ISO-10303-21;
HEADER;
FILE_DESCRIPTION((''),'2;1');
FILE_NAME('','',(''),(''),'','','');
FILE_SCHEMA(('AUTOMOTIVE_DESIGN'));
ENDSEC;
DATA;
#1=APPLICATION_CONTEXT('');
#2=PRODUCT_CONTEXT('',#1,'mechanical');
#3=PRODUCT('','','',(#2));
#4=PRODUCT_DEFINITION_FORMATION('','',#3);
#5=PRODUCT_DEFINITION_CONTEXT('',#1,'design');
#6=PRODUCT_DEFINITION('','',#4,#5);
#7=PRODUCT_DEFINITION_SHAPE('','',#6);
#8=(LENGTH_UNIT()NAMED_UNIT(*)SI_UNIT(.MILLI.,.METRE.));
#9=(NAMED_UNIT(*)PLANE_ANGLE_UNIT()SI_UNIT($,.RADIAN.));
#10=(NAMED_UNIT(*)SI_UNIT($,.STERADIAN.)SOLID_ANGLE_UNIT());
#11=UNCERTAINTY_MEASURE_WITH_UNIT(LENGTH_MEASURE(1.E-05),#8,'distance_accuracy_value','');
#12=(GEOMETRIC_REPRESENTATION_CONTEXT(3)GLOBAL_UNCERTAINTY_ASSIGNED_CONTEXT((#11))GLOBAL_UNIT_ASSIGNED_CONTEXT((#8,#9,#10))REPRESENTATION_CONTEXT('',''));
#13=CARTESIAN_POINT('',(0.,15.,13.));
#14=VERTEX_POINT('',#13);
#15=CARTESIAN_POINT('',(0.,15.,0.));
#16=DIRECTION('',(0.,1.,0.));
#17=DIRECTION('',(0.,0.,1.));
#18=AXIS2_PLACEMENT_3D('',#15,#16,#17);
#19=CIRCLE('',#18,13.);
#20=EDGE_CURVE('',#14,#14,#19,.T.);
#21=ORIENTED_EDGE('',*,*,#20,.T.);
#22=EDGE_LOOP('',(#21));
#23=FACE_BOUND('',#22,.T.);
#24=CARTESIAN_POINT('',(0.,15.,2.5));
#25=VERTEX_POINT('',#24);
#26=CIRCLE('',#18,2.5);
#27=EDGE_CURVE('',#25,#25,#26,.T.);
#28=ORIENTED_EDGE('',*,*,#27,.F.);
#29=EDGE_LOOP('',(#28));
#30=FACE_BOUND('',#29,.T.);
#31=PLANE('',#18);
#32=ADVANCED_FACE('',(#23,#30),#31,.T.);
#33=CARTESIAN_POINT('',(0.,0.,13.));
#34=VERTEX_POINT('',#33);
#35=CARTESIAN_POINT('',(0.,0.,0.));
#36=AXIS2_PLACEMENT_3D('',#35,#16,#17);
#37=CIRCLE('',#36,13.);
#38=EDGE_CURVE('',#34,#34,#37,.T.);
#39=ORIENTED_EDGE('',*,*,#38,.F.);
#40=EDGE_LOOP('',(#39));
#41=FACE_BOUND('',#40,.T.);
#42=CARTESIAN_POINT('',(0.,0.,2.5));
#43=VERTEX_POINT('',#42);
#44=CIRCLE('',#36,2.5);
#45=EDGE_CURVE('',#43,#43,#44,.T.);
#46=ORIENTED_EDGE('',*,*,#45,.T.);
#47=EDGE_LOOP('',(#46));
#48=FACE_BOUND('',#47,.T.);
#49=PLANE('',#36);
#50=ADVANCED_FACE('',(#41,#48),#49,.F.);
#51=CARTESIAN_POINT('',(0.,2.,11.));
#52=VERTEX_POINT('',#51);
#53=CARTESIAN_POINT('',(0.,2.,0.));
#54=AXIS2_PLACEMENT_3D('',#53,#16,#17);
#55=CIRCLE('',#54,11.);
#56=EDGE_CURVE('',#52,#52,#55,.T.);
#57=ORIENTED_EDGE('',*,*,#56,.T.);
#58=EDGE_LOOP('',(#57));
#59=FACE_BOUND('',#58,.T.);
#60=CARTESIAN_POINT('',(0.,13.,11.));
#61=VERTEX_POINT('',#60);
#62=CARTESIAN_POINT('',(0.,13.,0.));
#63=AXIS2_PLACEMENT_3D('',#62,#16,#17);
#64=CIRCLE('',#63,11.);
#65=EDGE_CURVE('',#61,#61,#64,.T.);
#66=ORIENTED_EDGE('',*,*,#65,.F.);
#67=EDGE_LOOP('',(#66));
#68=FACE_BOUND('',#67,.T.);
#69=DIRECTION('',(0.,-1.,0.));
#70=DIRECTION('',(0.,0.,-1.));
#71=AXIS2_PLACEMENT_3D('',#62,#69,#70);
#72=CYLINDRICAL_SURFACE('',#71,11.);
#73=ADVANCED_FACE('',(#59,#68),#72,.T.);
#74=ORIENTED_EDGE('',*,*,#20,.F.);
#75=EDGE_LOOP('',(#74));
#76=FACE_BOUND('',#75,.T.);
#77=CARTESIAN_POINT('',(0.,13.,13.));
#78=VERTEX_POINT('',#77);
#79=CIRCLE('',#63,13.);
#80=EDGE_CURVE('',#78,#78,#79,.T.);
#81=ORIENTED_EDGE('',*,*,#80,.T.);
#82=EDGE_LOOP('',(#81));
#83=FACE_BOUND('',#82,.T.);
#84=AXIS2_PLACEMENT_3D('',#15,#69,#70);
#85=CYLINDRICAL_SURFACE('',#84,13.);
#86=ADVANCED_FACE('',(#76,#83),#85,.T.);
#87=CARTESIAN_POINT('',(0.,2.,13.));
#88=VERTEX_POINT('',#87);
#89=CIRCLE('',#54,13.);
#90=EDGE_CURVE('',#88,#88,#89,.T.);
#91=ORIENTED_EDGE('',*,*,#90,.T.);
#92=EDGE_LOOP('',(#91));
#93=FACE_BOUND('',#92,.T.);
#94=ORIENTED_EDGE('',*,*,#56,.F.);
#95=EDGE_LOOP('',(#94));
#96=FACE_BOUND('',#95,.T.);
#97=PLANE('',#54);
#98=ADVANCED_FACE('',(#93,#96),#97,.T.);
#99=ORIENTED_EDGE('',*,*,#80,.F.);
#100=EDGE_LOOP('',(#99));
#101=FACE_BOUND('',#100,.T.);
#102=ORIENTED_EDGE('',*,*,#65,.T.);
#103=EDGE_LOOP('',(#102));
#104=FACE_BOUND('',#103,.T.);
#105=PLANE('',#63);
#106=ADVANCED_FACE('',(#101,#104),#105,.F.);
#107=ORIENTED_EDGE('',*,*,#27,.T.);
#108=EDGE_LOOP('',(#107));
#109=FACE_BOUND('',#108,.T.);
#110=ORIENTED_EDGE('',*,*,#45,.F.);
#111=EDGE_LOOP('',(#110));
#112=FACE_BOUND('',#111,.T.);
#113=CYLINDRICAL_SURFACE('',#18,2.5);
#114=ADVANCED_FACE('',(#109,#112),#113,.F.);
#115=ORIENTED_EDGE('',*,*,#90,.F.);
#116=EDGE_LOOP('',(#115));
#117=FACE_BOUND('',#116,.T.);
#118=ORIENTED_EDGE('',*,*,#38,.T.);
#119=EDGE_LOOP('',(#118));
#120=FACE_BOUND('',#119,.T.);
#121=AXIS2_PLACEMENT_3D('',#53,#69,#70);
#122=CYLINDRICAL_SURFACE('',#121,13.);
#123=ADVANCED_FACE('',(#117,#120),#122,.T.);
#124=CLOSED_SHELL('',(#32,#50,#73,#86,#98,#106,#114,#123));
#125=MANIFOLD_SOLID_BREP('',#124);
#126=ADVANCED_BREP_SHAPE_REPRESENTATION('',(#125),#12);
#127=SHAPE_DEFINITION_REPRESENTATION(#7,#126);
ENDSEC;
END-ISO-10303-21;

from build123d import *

# Parameters (mm, degrees)
SKETCH_1_R      = 13
EXTRUDE_1_DEPTH = 2
SKETCH_2_R      = 11
EXTRUDE_2_DEPTH = 11
SKETCH_3_R      = 13
EXTRUDE_3_DEPTH = 2
HOLE_WIZARD_1_D = 5


with BuildPart() as part:
    # 草图1 → 凸台-拉伸1 (new body)
    with BuildSketch(Plane(origin=(0, 0, 0), x_dir=(1, 0, 0), z_dir=(0, 1, 0))):
        with Locations(Location((0, 0, 0), (0, 0, 270))):
            Circle(SKETCH_1_R)
    extrude(amount=EXTRUDE_1_DEPTH)

    # 草图2 → 凸台-拉伸2 (add)
    with BuildSketch(Plane(origin=(0, 2, 0), x_dir=(1, 0, 0), z_dir=(0, 1, 0))):
        with Locations(Location((0, 0, 0), (0, 0, 270))):
            Circle(SKETCH_2_R)
    extrude(amount=EXTRUDE_2_DEPTH)

    # 草图3 → 凸台-拉伸3 (add)
    with BuildSketch(Plane(origin=(0, 13, 0), x_dir=(1, 0, 0), z_dir=(0, 1, 0))):
        with Locations(Location((0, 0, 0), (0, 0, 270))):
            Circle(SKETCH_3_R)
    extrude(amount=EXTRUDE_3_DEPTH)

    # 孔1 (through all)
    with Locations(Plane(origin=(0, 15, 0), x_dir=(1, 0, 0), z_dir=(0, 1, 0))):
        with Locations((0, 0)):
            Hole(HOLE_WIZARD_1_D / 2)


solid = part.part
